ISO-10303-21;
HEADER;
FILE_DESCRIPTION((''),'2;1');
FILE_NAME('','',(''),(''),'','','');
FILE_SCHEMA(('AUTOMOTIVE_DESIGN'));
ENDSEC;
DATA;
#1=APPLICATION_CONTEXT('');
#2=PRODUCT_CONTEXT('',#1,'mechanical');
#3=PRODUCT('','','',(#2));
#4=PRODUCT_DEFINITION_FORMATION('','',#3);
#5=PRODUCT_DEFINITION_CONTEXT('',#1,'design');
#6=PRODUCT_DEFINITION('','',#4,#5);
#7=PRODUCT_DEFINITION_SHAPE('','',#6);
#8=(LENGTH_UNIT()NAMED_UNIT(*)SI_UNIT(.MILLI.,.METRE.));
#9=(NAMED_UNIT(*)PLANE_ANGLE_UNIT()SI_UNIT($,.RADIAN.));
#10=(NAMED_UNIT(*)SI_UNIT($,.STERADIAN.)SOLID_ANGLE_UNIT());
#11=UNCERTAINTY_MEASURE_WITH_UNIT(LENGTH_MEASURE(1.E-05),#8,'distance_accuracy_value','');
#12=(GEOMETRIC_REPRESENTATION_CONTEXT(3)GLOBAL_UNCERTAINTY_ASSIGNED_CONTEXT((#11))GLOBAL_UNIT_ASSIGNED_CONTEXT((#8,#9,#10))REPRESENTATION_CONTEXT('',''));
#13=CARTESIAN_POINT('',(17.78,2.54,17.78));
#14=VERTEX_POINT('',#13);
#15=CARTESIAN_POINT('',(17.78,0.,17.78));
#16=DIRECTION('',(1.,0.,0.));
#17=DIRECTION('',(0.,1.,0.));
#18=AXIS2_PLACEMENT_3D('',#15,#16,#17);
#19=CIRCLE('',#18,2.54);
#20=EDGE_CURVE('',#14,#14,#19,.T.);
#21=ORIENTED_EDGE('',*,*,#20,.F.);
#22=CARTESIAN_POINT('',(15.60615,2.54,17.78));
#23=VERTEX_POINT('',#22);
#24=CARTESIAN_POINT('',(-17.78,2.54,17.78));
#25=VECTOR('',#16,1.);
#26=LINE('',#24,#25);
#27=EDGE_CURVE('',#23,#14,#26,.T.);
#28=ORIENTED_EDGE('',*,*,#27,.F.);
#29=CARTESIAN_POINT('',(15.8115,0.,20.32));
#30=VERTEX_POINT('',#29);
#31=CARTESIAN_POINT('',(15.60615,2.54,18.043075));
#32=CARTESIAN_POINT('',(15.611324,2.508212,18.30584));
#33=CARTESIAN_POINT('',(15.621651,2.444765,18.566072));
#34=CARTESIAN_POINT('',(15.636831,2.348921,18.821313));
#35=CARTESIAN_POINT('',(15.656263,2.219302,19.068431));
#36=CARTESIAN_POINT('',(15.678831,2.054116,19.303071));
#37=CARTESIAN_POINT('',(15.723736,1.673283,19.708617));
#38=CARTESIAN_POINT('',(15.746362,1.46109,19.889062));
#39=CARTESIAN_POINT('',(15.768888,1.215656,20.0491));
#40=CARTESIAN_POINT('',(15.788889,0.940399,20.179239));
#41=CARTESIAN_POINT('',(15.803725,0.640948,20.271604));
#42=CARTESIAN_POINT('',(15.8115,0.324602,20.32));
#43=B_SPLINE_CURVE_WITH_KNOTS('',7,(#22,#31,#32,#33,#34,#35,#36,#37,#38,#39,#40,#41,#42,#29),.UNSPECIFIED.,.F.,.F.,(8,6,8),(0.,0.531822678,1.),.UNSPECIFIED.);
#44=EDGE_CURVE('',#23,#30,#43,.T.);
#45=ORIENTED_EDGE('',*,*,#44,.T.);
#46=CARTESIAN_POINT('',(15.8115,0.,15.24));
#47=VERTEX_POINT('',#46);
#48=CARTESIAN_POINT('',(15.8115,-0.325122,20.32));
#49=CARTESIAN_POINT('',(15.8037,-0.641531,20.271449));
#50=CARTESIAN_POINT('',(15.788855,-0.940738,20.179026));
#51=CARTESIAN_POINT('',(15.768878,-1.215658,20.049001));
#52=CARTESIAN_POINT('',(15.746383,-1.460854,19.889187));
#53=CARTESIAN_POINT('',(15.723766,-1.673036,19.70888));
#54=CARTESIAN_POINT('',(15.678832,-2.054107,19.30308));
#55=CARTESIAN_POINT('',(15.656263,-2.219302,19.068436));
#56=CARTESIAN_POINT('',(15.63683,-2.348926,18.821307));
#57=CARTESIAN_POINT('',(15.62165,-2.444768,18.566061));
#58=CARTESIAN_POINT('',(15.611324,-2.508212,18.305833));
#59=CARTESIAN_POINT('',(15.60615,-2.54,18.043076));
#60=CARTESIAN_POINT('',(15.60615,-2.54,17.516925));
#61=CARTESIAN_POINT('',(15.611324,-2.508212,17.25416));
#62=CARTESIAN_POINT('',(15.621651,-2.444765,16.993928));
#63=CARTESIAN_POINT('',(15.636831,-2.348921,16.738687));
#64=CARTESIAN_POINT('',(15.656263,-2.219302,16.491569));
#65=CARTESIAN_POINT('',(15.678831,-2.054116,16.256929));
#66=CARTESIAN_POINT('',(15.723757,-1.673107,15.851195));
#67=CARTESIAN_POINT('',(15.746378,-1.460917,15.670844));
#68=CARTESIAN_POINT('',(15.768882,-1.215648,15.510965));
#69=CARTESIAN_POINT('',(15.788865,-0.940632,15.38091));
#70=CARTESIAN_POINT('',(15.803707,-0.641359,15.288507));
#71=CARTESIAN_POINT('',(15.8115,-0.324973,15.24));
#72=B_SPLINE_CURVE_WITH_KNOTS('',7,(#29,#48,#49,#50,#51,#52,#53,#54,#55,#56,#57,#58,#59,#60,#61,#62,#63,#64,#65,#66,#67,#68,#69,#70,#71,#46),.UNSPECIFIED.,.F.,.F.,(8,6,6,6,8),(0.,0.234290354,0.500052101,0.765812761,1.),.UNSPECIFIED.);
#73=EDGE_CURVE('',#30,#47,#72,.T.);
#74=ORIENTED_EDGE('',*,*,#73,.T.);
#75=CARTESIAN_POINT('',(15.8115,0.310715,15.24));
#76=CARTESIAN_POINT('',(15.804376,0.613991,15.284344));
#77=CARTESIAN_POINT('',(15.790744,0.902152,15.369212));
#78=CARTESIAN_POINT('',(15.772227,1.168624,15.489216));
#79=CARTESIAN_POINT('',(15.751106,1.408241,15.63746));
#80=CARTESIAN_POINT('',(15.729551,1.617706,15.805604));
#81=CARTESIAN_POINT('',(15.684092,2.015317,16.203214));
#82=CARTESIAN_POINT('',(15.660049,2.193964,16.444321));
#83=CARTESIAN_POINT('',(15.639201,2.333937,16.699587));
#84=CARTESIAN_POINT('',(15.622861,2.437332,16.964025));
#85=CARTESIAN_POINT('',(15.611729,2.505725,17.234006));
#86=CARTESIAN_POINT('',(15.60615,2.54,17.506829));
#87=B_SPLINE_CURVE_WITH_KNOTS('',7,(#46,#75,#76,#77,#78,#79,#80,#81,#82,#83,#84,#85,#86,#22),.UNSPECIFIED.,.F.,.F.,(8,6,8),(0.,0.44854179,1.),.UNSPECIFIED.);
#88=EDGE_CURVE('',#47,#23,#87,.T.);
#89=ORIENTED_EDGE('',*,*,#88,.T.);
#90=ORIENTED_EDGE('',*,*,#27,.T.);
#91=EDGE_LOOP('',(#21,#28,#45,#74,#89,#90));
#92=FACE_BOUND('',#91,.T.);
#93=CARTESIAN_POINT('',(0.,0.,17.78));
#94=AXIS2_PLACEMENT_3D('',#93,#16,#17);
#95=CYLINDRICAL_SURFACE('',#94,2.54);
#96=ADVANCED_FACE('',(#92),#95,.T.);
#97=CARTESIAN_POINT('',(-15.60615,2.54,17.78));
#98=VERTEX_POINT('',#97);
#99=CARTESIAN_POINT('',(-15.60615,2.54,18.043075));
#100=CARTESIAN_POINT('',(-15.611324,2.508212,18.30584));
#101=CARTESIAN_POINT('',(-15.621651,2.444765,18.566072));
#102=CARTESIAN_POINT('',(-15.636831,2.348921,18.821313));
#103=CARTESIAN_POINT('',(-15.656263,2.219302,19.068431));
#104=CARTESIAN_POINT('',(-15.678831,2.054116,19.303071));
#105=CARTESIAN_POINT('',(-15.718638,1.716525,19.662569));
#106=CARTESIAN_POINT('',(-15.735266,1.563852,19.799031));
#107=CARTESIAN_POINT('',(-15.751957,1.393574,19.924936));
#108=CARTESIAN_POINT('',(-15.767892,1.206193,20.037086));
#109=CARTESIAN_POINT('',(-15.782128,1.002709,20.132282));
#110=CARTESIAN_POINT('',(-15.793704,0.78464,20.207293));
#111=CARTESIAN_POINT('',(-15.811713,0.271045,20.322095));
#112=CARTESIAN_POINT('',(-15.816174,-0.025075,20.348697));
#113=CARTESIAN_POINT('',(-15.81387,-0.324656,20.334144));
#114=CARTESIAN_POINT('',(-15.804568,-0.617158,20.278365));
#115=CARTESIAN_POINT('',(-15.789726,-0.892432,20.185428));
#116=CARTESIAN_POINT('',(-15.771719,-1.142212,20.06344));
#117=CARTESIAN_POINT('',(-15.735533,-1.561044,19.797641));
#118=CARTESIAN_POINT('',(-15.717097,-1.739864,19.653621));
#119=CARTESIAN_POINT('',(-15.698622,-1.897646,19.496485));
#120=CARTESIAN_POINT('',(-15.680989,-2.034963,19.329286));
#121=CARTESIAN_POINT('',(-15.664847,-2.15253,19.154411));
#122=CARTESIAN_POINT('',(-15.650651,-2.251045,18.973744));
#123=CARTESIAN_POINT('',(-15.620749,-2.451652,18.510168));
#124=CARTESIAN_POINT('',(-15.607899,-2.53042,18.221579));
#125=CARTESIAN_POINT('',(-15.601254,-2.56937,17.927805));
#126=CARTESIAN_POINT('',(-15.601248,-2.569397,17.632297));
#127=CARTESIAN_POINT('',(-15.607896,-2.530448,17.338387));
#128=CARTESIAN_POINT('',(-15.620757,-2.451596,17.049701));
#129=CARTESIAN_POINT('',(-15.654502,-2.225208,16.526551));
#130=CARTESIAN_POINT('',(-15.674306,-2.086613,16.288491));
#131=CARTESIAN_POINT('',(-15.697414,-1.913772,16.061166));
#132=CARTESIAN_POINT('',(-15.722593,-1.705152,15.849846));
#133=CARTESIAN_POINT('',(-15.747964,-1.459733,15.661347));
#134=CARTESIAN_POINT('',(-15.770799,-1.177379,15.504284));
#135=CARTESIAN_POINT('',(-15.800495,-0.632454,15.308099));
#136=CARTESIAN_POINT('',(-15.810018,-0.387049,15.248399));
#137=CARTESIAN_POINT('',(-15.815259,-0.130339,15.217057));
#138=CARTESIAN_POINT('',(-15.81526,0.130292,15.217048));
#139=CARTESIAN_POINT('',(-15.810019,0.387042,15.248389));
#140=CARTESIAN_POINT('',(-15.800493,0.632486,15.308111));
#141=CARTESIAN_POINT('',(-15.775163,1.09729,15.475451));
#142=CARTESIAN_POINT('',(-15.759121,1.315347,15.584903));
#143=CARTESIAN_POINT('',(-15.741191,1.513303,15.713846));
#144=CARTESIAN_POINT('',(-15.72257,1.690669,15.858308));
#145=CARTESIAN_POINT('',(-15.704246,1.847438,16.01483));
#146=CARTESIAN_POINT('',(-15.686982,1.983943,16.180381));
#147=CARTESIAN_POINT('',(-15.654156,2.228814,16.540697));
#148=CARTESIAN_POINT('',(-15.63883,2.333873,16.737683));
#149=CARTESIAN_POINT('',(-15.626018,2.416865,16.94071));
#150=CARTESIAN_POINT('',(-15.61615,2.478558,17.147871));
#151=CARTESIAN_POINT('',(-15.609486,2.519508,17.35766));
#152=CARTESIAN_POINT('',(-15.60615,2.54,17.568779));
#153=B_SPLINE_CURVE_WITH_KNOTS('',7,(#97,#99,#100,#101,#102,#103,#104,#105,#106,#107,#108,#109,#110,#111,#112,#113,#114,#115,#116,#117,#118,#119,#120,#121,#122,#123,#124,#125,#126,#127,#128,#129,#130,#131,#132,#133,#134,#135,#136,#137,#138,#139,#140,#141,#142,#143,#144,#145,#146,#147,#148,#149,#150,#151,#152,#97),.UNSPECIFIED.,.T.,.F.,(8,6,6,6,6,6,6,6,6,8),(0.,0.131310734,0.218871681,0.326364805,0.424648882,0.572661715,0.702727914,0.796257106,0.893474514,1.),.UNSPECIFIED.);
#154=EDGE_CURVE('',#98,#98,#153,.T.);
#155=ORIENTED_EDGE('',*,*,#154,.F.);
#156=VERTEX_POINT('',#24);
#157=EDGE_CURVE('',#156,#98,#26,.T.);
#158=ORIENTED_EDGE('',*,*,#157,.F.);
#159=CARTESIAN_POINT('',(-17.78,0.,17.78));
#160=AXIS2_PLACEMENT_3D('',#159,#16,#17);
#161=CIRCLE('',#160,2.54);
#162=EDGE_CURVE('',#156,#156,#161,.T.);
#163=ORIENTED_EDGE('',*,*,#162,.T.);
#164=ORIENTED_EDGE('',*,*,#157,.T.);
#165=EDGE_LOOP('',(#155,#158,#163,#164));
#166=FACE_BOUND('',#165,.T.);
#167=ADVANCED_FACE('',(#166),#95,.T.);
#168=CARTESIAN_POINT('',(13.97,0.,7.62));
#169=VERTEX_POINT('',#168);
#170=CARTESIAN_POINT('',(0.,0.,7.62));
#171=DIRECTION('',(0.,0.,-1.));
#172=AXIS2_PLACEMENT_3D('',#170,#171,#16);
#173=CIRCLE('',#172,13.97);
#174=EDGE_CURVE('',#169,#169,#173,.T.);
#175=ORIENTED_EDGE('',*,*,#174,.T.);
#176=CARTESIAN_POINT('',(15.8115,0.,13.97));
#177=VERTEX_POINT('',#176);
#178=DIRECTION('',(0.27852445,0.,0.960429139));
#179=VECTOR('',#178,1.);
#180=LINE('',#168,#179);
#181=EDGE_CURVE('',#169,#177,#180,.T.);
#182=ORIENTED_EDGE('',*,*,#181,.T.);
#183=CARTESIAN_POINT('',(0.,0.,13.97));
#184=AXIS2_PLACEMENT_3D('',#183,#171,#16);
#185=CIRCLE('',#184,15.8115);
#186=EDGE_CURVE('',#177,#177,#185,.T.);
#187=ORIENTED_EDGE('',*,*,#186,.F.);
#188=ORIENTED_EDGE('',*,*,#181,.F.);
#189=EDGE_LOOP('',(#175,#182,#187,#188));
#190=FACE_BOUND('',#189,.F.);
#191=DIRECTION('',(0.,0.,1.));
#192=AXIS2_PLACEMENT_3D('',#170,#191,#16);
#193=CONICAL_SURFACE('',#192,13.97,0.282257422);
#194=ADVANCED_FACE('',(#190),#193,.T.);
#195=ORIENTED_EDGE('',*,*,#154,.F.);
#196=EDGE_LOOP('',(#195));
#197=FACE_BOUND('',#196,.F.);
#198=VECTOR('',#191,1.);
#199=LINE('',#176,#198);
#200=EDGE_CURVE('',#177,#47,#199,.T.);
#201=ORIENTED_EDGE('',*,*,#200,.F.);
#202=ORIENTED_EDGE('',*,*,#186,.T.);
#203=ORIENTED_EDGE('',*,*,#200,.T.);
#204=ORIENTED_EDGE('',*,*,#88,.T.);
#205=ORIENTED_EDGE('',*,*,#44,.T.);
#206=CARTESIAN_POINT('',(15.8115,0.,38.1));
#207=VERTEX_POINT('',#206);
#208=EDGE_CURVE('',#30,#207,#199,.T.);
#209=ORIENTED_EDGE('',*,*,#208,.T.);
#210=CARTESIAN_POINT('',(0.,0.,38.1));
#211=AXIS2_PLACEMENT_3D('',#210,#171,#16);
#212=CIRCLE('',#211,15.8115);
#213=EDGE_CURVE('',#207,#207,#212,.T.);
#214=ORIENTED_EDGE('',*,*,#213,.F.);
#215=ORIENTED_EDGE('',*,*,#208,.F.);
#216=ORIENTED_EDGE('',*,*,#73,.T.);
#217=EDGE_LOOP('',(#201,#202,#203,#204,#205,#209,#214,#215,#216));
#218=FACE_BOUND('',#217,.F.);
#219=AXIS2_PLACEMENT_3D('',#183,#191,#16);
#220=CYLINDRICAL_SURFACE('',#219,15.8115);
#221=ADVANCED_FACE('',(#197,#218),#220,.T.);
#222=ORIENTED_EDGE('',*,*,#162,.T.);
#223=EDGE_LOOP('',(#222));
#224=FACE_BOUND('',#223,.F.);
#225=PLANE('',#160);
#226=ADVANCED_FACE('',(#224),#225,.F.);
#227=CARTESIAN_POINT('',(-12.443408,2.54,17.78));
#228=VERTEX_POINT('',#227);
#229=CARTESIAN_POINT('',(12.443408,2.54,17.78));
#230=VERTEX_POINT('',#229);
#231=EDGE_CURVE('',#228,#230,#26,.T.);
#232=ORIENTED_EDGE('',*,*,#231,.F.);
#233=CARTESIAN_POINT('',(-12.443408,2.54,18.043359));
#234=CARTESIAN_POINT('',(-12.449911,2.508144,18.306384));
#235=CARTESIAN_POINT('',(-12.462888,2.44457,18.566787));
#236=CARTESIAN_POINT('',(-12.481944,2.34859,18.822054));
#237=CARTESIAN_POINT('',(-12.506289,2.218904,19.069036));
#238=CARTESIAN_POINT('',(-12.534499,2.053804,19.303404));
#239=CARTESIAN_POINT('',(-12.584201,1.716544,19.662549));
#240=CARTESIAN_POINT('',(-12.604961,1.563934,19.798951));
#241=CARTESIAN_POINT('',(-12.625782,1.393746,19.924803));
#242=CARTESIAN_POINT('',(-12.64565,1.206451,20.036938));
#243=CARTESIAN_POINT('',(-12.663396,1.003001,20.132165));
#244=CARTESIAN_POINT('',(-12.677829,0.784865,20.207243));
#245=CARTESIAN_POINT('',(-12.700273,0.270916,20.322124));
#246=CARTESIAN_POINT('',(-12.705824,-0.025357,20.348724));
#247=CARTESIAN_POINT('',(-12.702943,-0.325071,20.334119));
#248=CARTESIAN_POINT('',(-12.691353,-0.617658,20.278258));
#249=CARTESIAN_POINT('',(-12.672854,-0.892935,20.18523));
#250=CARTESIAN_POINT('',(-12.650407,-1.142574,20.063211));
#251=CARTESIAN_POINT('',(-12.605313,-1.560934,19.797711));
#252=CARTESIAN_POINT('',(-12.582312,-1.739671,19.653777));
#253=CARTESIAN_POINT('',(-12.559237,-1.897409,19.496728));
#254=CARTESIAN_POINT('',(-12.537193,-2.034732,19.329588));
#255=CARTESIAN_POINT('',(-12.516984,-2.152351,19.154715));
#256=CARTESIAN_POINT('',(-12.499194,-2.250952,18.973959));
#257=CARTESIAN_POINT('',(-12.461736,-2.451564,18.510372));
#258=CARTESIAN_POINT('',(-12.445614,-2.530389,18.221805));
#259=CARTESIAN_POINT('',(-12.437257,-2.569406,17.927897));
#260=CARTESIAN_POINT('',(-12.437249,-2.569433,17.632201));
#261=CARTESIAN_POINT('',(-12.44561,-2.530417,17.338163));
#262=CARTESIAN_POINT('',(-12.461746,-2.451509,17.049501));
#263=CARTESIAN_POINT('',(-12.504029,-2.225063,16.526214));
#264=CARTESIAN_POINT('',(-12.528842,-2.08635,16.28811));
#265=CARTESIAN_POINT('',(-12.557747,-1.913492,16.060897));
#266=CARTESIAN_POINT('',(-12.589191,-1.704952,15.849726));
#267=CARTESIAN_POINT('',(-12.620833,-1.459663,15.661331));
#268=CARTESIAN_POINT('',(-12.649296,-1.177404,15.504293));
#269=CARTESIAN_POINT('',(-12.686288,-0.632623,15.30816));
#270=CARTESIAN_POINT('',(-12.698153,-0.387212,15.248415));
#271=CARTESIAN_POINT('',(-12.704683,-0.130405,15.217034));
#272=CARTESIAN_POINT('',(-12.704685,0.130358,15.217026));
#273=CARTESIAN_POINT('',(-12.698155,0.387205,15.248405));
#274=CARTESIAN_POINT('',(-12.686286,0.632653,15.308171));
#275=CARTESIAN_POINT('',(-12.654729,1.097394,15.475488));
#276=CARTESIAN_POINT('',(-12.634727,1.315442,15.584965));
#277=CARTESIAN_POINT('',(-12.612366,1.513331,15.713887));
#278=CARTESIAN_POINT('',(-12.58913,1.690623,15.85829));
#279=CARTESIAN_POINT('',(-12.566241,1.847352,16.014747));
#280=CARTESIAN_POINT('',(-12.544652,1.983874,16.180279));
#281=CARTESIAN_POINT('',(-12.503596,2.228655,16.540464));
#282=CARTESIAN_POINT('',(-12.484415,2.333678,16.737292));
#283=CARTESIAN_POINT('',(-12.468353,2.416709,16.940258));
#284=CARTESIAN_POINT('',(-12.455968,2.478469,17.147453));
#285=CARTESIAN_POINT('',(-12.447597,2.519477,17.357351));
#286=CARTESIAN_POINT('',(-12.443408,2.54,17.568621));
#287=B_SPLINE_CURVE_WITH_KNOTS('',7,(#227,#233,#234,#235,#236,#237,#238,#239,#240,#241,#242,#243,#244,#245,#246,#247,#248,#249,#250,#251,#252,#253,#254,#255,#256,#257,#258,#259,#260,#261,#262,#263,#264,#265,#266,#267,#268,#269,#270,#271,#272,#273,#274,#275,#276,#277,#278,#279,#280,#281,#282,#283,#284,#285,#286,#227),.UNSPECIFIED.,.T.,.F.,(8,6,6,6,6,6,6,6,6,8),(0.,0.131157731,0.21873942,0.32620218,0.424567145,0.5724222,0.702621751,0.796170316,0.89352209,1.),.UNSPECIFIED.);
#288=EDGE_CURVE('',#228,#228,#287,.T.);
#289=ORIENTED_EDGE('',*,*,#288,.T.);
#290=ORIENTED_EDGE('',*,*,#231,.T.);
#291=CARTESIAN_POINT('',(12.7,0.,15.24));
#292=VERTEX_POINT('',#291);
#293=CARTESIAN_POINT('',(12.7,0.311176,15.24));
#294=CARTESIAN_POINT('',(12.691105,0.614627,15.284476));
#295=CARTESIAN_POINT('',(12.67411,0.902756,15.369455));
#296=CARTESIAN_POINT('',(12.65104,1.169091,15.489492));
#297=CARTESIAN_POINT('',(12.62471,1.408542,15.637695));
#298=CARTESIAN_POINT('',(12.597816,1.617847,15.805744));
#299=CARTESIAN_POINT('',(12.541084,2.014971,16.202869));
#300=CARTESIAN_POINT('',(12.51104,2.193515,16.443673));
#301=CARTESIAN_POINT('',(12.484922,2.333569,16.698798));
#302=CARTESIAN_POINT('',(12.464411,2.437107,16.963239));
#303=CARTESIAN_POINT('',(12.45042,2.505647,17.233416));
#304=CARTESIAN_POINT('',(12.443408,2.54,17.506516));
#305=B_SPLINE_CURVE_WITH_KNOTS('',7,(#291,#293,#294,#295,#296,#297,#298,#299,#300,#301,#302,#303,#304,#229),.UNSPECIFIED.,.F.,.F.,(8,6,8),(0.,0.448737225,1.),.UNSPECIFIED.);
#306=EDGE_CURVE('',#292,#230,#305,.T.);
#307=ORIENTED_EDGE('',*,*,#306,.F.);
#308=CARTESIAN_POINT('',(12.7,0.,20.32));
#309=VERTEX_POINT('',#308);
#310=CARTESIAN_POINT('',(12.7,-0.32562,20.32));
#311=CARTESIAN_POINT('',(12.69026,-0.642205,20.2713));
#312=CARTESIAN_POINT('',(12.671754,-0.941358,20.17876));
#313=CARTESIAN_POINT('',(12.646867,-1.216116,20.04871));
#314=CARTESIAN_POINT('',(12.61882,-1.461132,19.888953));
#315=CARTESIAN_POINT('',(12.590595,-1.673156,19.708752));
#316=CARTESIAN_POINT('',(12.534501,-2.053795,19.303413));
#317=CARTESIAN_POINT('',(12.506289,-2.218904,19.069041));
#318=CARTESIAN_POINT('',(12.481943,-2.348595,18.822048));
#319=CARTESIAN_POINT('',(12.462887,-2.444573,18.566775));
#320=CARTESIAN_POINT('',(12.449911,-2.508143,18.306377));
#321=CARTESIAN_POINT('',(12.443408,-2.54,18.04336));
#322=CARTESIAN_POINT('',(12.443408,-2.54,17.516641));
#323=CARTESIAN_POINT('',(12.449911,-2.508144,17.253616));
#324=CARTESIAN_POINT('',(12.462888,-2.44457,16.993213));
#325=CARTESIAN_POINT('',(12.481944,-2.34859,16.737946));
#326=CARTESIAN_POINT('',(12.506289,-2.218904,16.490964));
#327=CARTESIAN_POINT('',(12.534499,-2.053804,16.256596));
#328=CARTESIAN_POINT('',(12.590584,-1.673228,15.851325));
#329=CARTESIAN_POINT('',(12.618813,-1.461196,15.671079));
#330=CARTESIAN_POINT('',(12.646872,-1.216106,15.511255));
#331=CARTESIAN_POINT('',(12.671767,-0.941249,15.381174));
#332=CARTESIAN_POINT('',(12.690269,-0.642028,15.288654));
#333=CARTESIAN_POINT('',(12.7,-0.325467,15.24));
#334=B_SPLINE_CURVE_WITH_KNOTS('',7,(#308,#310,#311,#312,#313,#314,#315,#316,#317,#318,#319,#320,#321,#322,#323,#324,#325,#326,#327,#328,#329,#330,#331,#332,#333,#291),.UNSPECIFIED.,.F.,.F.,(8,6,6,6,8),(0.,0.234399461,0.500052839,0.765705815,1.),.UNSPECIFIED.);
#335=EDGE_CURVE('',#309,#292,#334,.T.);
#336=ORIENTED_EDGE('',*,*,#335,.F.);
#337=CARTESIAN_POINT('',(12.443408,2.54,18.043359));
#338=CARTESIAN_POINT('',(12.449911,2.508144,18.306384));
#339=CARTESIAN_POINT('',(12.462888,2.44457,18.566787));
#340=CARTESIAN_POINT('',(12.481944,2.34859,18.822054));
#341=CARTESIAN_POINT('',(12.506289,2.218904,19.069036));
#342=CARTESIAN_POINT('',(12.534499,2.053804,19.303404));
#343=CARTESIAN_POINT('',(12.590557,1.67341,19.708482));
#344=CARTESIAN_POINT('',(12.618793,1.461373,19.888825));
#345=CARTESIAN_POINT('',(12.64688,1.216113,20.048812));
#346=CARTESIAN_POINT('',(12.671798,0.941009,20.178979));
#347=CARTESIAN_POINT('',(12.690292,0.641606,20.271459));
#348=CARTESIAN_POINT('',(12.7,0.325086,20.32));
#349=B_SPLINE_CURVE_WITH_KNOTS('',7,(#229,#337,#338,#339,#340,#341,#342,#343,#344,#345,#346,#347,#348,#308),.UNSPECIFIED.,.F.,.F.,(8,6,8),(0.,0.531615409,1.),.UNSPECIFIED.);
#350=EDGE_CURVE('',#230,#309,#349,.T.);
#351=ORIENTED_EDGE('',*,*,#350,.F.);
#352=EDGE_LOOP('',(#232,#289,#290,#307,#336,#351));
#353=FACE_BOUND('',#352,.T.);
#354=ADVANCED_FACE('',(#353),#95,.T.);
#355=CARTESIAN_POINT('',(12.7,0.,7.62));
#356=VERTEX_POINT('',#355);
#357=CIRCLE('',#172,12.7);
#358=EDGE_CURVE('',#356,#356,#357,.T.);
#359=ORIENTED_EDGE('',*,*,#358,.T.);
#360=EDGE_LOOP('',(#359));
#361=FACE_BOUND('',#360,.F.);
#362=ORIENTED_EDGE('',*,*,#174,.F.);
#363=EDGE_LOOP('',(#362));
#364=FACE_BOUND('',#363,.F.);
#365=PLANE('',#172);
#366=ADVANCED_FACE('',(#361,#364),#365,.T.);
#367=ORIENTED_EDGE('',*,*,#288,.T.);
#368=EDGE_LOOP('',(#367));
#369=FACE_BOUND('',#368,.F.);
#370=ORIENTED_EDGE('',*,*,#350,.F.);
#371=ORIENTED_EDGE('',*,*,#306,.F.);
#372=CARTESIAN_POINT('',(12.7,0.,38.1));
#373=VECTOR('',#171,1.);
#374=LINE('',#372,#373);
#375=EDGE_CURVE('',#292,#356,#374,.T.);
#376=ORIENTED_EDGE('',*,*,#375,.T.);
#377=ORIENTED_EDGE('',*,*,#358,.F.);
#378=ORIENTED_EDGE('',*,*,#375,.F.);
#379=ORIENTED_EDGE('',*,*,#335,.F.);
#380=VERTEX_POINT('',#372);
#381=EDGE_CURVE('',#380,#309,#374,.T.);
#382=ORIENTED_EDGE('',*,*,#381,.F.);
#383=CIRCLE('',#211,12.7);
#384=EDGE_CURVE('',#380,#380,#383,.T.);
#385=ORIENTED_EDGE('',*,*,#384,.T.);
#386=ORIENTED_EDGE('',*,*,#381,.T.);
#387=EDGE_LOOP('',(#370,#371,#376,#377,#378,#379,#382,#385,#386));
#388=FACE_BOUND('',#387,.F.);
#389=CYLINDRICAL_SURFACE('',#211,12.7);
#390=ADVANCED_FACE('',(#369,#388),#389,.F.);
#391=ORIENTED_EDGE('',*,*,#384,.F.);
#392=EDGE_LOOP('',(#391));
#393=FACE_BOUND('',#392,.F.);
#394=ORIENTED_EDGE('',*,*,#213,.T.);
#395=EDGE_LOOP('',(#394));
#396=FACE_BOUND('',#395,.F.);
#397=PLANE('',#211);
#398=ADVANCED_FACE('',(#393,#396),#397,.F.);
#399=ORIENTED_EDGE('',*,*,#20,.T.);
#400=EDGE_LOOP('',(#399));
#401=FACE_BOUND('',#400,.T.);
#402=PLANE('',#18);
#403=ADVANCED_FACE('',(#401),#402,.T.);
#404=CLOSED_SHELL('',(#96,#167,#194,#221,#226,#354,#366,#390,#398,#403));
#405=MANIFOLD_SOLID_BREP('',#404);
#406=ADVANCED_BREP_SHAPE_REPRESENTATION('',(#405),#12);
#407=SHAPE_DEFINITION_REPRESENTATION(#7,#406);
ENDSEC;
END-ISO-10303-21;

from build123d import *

# Parameters (mm, degrees)
F3_R     = 2.54
F4_DEPTH = 17.78


with BuildPart() as f2:
    # F0 (on Front) → F2 (revolve)
    with BuildSketch(Plane.XZ):
        Polygon((12.7, 7.62), (13.97, 7.62), (15.8115, 13.97), (15.8115, 38.1), (12.7, 38.1), align=None)
    revolve(axis=Axis((0, 0, 13.335), (0, 0, -1)))

    # F3 (on Right) → F4 (join, symmetric)
    with BuildSketch(Plane.YZ):
        with Locations((0, 17.78)):
            Circle(F3_R)
    extrude(amount=F4_DEPTH, both=True)


solid = f2.part
